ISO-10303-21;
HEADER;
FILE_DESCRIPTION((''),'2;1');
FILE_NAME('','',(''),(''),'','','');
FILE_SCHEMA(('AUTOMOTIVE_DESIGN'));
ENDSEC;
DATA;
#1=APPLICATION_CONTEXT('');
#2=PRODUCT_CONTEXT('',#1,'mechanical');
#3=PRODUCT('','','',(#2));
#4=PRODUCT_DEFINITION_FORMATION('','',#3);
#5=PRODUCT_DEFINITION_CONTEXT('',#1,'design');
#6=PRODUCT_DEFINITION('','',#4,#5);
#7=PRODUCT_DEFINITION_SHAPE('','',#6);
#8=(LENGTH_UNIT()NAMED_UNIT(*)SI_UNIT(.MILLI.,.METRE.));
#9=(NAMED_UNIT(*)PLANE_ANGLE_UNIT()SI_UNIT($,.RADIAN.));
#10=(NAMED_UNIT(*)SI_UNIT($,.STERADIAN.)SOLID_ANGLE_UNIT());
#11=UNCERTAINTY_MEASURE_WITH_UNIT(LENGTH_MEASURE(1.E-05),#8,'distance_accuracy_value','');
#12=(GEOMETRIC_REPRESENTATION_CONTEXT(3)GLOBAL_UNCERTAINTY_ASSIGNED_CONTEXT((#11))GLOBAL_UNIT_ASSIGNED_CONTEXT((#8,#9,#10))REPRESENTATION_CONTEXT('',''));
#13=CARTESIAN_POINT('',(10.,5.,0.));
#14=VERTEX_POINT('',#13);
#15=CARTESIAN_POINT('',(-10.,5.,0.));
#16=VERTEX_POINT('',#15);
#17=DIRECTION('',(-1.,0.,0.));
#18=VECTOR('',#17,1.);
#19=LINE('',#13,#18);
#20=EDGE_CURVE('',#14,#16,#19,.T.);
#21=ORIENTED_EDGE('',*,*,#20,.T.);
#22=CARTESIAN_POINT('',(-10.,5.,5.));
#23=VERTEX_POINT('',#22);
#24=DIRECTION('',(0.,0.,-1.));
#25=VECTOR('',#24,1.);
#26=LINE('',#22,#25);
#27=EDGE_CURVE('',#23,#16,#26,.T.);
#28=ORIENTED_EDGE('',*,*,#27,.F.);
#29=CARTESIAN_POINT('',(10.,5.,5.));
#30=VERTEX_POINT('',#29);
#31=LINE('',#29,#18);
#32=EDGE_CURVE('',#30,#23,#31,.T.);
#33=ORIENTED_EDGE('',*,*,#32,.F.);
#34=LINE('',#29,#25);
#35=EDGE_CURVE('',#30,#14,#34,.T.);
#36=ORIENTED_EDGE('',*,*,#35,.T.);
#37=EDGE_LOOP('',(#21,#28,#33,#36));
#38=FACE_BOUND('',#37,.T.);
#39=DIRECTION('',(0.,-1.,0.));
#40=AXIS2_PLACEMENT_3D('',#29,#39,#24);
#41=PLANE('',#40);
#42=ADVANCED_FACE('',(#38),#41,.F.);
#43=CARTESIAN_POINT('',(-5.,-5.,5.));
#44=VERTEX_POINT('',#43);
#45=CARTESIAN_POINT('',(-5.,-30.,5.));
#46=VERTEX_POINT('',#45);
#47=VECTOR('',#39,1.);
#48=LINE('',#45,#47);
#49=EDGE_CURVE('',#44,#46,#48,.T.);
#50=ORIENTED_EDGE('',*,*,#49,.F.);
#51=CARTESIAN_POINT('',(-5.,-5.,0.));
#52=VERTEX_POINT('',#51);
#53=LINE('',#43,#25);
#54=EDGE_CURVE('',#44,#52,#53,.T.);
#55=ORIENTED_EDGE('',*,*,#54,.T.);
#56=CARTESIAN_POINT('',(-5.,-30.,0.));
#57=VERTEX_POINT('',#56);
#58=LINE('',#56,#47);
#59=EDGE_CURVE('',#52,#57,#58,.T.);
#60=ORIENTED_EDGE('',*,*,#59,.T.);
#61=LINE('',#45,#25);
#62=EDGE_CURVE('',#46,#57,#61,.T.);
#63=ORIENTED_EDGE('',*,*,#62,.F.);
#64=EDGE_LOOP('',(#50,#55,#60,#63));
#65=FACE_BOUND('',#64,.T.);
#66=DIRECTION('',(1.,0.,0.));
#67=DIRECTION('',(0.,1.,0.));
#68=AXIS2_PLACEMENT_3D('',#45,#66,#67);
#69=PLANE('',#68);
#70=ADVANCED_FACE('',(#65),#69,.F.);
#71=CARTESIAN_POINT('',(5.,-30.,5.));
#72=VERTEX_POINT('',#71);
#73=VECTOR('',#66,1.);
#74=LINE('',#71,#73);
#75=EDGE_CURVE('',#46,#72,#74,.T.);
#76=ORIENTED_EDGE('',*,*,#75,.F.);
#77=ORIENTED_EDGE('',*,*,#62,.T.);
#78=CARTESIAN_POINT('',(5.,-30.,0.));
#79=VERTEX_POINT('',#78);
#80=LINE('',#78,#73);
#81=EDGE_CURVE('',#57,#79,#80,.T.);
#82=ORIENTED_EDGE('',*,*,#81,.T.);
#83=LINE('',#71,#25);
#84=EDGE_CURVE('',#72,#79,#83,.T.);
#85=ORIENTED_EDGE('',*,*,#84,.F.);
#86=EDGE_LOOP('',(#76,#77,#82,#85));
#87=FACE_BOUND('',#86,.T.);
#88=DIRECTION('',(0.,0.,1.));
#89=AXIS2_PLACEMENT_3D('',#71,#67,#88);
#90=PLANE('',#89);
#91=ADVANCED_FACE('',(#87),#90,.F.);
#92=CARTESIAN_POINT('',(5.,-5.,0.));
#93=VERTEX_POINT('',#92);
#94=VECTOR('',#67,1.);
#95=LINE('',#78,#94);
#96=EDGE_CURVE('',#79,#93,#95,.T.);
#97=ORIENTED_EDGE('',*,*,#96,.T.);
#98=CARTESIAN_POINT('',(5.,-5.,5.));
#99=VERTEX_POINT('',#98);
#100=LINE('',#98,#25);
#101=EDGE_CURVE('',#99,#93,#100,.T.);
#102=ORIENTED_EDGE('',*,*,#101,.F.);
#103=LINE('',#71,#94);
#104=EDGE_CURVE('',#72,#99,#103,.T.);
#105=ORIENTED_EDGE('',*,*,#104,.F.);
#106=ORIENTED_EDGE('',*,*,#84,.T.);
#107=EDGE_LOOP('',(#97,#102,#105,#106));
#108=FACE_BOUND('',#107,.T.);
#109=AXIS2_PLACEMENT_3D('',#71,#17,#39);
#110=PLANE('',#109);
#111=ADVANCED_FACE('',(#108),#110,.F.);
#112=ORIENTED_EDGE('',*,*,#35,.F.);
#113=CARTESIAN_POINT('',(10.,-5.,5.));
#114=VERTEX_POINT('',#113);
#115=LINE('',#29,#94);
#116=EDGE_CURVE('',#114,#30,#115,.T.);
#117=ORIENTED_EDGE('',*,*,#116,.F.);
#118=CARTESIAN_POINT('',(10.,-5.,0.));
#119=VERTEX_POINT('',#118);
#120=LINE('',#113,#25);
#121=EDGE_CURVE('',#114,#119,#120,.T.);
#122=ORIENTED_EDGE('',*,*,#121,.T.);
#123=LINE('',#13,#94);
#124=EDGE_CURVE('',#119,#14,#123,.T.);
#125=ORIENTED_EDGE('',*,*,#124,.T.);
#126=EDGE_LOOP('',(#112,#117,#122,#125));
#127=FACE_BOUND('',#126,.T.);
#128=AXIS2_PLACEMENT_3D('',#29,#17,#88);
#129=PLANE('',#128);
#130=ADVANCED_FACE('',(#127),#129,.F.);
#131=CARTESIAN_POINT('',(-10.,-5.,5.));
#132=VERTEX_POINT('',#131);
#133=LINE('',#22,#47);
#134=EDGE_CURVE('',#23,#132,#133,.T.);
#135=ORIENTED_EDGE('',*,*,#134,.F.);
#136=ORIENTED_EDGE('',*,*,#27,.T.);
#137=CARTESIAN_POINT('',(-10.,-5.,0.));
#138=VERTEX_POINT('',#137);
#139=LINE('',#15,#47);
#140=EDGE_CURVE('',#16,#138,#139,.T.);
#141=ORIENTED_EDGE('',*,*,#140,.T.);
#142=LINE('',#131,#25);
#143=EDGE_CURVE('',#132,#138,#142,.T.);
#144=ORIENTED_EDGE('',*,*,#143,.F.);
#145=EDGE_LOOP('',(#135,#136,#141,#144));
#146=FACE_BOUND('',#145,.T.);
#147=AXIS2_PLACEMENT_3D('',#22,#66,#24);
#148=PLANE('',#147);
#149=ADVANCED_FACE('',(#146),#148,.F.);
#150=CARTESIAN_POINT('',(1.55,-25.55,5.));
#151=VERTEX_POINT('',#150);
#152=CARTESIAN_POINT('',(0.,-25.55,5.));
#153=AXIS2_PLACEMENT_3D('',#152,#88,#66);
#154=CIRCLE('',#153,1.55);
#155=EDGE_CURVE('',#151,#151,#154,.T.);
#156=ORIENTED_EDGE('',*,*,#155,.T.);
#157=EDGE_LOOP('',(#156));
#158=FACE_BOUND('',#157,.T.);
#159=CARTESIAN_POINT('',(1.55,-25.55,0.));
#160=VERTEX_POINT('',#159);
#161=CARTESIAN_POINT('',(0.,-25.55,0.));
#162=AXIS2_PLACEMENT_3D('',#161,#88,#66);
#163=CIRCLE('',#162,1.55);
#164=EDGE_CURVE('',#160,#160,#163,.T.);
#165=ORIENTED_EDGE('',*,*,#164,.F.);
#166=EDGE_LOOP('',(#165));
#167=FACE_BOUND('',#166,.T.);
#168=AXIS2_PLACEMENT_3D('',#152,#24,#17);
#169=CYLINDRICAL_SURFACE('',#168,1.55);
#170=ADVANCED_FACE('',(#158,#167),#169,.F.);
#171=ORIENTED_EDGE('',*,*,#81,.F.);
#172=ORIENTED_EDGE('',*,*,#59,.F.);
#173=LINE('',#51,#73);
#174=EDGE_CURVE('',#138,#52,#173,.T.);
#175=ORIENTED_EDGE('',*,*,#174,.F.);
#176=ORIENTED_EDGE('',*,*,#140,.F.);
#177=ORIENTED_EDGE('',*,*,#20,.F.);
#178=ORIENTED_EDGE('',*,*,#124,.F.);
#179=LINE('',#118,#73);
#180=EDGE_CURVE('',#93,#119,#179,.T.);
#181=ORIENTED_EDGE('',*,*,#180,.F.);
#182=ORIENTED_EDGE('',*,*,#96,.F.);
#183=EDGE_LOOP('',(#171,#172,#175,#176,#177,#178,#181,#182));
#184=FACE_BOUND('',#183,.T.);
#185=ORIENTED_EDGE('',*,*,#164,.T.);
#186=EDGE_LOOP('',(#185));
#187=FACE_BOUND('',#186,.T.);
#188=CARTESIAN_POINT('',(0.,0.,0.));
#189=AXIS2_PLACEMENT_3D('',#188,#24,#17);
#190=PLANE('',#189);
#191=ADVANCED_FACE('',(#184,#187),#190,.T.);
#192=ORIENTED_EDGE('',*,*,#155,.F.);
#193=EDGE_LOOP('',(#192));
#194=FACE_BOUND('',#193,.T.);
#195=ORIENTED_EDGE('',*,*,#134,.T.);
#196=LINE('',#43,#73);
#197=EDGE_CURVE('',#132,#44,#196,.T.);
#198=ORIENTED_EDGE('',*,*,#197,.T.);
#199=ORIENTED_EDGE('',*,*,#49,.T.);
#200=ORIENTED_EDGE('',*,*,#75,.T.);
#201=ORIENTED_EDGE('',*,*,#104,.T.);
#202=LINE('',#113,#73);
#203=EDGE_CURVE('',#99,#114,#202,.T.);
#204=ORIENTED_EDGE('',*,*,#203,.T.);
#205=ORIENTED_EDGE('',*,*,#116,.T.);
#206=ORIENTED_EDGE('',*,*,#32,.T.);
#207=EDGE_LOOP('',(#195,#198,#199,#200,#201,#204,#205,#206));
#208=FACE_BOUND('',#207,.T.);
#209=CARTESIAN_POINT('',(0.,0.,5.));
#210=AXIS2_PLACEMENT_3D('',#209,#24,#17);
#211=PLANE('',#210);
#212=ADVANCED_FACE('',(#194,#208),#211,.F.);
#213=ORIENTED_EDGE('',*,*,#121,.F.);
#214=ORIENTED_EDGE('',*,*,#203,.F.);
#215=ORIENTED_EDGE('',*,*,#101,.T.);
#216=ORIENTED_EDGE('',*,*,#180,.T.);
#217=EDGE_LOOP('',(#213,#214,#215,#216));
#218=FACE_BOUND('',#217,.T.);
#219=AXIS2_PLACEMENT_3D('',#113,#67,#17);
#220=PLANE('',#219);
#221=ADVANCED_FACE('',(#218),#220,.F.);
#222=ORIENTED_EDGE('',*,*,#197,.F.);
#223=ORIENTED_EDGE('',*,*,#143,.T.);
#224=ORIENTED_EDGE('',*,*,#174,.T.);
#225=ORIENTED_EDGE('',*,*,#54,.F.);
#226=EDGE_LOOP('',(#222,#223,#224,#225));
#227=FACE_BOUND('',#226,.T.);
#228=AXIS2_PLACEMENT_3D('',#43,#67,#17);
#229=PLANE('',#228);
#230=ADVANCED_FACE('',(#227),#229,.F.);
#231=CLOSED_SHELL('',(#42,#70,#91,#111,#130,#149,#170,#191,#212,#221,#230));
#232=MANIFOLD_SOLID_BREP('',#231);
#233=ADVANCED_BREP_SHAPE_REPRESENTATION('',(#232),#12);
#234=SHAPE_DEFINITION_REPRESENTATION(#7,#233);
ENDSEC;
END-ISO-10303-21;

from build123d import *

# Parameters (mm, degrees)
SKETCH_1_R      = 1.55
EXTRUDE_1_DEPTH = 5


with BuildPart() as part:
    # 草圖1 → 填料-伸長1 (new body)
    with BuildSketch(Plane.XY):
        Polygon((-5, -5), (-10, -5), (-10, 5), (10, 5), (10, -5), (5, -5), (5, -30), (-5, -30), align=None)
        with Locations((0, -25.55)):
            Circle(SKETCH_1_R, mode=Mode.SUBTRACT)
    extrude(amount=EXTRUDE_1_DEPTH)


solid = part.part
